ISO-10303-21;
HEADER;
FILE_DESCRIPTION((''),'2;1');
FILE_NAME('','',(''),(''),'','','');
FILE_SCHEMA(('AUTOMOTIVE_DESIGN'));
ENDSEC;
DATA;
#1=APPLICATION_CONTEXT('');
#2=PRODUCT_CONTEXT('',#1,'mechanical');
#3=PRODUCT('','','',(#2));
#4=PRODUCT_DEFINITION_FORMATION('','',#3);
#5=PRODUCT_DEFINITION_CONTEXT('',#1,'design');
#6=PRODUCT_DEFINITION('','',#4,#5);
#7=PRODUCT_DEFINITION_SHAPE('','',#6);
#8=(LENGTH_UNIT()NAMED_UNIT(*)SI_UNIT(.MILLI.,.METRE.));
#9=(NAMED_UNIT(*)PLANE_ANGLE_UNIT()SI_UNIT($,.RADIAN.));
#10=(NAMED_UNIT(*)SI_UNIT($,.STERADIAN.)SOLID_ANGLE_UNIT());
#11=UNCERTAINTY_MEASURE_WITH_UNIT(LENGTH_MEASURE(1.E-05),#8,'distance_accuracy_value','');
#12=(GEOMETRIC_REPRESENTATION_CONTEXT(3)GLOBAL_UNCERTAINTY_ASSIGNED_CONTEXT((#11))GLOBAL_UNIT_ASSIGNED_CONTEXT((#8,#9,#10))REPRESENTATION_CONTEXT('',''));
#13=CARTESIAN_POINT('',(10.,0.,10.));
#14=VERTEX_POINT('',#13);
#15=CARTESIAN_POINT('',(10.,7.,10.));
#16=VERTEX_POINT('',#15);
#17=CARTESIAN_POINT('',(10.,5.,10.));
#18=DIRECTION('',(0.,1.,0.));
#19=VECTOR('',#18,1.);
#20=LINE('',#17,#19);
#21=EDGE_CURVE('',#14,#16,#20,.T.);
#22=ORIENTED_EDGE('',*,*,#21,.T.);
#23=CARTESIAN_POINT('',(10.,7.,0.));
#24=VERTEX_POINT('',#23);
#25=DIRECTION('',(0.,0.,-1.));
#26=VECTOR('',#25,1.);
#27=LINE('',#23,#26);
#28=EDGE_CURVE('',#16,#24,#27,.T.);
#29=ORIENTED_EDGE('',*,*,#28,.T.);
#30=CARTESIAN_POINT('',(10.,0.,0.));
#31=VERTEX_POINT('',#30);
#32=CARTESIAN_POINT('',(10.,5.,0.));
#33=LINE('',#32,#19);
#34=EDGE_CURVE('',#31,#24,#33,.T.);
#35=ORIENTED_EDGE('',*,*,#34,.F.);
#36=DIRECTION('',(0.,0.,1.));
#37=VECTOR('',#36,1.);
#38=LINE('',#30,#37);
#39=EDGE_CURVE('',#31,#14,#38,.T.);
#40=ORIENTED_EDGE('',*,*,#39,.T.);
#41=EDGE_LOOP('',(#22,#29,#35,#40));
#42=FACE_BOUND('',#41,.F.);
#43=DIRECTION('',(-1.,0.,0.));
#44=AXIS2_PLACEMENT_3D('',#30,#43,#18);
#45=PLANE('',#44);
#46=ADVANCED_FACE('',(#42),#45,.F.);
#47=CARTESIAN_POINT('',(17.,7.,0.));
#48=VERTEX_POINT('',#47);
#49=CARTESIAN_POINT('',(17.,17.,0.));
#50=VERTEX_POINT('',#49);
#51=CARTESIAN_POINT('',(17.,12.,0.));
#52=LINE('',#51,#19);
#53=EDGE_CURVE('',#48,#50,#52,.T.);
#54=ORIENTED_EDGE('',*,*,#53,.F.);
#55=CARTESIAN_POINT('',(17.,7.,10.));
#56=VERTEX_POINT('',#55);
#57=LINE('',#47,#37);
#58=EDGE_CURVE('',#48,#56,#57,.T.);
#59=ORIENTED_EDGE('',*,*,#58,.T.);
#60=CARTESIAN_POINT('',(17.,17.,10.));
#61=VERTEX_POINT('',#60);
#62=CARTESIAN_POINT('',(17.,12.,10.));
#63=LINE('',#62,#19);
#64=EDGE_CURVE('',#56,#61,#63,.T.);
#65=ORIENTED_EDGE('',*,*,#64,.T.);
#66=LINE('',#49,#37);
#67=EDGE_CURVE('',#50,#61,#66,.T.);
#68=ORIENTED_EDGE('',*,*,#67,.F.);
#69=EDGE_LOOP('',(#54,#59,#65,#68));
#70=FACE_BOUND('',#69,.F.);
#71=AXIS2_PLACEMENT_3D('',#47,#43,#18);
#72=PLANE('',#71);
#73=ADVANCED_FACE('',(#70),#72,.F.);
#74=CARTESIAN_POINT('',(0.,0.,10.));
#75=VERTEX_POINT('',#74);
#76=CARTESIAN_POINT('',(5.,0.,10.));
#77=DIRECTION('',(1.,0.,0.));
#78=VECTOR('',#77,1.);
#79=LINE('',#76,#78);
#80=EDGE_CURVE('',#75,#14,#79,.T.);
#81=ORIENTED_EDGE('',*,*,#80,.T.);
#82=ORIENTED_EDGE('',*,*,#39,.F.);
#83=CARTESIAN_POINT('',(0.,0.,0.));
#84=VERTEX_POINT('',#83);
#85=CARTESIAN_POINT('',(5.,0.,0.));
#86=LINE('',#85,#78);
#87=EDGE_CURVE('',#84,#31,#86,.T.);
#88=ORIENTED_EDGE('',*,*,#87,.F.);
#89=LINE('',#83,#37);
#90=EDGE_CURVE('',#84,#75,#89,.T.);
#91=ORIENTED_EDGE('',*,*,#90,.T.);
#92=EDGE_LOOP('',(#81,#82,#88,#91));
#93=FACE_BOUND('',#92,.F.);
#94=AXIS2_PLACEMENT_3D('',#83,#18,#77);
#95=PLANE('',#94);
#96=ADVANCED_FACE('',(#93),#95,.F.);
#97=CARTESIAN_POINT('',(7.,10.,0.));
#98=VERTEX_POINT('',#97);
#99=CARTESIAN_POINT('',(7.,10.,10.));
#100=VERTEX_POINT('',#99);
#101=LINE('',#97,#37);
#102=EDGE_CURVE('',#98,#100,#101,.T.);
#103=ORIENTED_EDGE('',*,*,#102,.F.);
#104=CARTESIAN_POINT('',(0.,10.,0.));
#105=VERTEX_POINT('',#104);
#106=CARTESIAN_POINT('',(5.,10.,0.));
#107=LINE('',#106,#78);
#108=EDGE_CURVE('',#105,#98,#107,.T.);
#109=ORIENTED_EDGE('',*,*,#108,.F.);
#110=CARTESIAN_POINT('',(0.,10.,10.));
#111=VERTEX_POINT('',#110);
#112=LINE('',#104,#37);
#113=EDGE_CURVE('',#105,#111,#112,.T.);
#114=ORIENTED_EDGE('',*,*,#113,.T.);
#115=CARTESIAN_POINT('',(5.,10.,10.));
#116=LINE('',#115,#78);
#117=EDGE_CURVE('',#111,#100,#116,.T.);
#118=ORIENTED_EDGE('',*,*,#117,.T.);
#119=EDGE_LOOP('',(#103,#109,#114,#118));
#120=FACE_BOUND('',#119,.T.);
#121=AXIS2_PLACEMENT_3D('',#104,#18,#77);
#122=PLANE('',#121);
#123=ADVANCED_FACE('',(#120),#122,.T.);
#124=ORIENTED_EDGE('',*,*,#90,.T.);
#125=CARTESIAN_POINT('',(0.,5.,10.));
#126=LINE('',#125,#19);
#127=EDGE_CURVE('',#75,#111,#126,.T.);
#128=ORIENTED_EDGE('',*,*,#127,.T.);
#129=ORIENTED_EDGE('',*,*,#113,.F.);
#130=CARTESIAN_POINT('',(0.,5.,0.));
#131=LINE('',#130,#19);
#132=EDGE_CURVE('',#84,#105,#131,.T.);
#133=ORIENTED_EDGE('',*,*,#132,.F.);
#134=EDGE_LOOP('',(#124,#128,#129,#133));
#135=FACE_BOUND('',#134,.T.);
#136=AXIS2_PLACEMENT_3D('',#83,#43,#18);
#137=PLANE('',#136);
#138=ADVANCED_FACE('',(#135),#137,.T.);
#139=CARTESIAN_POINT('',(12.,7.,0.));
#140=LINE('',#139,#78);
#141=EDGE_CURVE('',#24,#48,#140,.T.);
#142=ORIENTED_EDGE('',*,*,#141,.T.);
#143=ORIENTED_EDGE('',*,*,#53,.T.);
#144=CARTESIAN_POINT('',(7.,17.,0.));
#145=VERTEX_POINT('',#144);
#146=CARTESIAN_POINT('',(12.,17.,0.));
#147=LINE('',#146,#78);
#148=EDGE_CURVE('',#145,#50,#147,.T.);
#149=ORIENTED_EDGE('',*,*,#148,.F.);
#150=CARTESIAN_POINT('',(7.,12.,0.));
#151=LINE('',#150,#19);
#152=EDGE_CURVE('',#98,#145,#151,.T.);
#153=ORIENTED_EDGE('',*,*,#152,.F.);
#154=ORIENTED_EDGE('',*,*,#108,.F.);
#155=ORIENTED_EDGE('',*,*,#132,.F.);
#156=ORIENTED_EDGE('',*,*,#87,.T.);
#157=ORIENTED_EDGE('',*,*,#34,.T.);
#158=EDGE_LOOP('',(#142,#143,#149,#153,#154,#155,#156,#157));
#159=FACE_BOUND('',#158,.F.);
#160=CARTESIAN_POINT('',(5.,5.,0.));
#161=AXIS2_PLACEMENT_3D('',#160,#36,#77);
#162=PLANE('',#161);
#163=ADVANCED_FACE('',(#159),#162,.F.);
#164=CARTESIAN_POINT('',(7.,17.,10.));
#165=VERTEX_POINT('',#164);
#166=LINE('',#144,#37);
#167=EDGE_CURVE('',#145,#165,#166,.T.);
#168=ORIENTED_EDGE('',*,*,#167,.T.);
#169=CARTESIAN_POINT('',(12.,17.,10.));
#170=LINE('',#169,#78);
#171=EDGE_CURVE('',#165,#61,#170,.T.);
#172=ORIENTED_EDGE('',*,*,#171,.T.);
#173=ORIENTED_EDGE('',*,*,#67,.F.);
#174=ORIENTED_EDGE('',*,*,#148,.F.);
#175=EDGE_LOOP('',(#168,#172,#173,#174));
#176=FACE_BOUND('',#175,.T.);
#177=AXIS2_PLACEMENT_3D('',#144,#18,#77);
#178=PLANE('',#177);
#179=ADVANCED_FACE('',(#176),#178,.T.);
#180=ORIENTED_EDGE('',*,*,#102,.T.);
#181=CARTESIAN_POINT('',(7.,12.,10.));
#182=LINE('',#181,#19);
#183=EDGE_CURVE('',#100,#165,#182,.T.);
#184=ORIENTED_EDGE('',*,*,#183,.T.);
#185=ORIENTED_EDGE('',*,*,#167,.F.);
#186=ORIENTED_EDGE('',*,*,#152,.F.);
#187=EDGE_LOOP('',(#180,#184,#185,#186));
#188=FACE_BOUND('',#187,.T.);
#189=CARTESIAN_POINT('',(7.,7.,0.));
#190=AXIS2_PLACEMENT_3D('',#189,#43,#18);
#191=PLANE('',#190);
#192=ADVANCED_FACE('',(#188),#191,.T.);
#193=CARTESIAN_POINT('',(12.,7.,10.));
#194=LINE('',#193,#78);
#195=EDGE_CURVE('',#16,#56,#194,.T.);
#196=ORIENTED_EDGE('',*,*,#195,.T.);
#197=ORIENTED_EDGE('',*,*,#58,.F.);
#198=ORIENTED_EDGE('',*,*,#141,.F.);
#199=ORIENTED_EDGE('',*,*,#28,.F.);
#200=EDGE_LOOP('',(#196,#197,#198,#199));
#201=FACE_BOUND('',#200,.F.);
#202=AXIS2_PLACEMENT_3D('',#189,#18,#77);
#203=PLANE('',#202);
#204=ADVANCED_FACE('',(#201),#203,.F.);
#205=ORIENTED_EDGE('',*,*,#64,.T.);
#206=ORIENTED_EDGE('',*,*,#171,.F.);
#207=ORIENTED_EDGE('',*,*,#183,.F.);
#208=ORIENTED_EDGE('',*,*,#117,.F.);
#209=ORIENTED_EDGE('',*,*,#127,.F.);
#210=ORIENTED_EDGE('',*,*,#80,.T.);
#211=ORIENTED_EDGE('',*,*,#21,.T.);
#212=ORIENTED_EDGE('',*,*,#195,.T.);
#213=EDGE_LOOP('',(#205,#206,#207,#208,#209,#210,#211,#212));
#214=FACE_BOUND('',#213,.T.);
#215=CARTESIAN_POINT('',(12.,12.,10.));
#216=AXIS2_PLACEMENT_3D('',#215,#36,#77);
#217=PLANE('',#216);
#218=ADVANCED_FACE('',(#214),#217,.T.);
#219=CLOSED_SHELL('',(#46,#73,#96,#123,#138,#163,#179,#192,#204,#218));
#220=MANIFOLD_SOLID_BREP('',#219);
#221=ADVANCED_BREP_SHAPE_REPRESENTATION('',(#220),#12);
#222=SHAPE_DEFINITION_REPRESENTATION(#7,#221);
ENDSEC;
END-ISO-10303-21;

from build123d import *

# Parameters (mm, degrees)
BOX001_W     = 10
BOX001_H     = 10
BOX001_DEPTH = 10
BOX_W        = 10
BOX_H        = 10
BOX_DEPTH    = 10


with BuildPart() as cubo001:
    # Box001 → Box001 (new body)
    with BuildSketch(Plane(origin=(7, 7, 0), x_dir=(1, 0, 0), z_dir=(0, 0, 1))):
        with Locations((5, 5)):
            Rectangle(BOX001_W, BOX001_H)
    extrude(amount=BOX001_DEPTH)


with BuildPart() as fusion:
    # Box → Box (new body)
    with BuildSketch(Plane.XY):
        with Locations((5, 5)):
            Rectangle(BOX_W, BOX_H)
    extrude(amount=BOX_DEPTH)

    # Fusion: union Cubo001
    add(cubo001.part)


solid = fusion.part
